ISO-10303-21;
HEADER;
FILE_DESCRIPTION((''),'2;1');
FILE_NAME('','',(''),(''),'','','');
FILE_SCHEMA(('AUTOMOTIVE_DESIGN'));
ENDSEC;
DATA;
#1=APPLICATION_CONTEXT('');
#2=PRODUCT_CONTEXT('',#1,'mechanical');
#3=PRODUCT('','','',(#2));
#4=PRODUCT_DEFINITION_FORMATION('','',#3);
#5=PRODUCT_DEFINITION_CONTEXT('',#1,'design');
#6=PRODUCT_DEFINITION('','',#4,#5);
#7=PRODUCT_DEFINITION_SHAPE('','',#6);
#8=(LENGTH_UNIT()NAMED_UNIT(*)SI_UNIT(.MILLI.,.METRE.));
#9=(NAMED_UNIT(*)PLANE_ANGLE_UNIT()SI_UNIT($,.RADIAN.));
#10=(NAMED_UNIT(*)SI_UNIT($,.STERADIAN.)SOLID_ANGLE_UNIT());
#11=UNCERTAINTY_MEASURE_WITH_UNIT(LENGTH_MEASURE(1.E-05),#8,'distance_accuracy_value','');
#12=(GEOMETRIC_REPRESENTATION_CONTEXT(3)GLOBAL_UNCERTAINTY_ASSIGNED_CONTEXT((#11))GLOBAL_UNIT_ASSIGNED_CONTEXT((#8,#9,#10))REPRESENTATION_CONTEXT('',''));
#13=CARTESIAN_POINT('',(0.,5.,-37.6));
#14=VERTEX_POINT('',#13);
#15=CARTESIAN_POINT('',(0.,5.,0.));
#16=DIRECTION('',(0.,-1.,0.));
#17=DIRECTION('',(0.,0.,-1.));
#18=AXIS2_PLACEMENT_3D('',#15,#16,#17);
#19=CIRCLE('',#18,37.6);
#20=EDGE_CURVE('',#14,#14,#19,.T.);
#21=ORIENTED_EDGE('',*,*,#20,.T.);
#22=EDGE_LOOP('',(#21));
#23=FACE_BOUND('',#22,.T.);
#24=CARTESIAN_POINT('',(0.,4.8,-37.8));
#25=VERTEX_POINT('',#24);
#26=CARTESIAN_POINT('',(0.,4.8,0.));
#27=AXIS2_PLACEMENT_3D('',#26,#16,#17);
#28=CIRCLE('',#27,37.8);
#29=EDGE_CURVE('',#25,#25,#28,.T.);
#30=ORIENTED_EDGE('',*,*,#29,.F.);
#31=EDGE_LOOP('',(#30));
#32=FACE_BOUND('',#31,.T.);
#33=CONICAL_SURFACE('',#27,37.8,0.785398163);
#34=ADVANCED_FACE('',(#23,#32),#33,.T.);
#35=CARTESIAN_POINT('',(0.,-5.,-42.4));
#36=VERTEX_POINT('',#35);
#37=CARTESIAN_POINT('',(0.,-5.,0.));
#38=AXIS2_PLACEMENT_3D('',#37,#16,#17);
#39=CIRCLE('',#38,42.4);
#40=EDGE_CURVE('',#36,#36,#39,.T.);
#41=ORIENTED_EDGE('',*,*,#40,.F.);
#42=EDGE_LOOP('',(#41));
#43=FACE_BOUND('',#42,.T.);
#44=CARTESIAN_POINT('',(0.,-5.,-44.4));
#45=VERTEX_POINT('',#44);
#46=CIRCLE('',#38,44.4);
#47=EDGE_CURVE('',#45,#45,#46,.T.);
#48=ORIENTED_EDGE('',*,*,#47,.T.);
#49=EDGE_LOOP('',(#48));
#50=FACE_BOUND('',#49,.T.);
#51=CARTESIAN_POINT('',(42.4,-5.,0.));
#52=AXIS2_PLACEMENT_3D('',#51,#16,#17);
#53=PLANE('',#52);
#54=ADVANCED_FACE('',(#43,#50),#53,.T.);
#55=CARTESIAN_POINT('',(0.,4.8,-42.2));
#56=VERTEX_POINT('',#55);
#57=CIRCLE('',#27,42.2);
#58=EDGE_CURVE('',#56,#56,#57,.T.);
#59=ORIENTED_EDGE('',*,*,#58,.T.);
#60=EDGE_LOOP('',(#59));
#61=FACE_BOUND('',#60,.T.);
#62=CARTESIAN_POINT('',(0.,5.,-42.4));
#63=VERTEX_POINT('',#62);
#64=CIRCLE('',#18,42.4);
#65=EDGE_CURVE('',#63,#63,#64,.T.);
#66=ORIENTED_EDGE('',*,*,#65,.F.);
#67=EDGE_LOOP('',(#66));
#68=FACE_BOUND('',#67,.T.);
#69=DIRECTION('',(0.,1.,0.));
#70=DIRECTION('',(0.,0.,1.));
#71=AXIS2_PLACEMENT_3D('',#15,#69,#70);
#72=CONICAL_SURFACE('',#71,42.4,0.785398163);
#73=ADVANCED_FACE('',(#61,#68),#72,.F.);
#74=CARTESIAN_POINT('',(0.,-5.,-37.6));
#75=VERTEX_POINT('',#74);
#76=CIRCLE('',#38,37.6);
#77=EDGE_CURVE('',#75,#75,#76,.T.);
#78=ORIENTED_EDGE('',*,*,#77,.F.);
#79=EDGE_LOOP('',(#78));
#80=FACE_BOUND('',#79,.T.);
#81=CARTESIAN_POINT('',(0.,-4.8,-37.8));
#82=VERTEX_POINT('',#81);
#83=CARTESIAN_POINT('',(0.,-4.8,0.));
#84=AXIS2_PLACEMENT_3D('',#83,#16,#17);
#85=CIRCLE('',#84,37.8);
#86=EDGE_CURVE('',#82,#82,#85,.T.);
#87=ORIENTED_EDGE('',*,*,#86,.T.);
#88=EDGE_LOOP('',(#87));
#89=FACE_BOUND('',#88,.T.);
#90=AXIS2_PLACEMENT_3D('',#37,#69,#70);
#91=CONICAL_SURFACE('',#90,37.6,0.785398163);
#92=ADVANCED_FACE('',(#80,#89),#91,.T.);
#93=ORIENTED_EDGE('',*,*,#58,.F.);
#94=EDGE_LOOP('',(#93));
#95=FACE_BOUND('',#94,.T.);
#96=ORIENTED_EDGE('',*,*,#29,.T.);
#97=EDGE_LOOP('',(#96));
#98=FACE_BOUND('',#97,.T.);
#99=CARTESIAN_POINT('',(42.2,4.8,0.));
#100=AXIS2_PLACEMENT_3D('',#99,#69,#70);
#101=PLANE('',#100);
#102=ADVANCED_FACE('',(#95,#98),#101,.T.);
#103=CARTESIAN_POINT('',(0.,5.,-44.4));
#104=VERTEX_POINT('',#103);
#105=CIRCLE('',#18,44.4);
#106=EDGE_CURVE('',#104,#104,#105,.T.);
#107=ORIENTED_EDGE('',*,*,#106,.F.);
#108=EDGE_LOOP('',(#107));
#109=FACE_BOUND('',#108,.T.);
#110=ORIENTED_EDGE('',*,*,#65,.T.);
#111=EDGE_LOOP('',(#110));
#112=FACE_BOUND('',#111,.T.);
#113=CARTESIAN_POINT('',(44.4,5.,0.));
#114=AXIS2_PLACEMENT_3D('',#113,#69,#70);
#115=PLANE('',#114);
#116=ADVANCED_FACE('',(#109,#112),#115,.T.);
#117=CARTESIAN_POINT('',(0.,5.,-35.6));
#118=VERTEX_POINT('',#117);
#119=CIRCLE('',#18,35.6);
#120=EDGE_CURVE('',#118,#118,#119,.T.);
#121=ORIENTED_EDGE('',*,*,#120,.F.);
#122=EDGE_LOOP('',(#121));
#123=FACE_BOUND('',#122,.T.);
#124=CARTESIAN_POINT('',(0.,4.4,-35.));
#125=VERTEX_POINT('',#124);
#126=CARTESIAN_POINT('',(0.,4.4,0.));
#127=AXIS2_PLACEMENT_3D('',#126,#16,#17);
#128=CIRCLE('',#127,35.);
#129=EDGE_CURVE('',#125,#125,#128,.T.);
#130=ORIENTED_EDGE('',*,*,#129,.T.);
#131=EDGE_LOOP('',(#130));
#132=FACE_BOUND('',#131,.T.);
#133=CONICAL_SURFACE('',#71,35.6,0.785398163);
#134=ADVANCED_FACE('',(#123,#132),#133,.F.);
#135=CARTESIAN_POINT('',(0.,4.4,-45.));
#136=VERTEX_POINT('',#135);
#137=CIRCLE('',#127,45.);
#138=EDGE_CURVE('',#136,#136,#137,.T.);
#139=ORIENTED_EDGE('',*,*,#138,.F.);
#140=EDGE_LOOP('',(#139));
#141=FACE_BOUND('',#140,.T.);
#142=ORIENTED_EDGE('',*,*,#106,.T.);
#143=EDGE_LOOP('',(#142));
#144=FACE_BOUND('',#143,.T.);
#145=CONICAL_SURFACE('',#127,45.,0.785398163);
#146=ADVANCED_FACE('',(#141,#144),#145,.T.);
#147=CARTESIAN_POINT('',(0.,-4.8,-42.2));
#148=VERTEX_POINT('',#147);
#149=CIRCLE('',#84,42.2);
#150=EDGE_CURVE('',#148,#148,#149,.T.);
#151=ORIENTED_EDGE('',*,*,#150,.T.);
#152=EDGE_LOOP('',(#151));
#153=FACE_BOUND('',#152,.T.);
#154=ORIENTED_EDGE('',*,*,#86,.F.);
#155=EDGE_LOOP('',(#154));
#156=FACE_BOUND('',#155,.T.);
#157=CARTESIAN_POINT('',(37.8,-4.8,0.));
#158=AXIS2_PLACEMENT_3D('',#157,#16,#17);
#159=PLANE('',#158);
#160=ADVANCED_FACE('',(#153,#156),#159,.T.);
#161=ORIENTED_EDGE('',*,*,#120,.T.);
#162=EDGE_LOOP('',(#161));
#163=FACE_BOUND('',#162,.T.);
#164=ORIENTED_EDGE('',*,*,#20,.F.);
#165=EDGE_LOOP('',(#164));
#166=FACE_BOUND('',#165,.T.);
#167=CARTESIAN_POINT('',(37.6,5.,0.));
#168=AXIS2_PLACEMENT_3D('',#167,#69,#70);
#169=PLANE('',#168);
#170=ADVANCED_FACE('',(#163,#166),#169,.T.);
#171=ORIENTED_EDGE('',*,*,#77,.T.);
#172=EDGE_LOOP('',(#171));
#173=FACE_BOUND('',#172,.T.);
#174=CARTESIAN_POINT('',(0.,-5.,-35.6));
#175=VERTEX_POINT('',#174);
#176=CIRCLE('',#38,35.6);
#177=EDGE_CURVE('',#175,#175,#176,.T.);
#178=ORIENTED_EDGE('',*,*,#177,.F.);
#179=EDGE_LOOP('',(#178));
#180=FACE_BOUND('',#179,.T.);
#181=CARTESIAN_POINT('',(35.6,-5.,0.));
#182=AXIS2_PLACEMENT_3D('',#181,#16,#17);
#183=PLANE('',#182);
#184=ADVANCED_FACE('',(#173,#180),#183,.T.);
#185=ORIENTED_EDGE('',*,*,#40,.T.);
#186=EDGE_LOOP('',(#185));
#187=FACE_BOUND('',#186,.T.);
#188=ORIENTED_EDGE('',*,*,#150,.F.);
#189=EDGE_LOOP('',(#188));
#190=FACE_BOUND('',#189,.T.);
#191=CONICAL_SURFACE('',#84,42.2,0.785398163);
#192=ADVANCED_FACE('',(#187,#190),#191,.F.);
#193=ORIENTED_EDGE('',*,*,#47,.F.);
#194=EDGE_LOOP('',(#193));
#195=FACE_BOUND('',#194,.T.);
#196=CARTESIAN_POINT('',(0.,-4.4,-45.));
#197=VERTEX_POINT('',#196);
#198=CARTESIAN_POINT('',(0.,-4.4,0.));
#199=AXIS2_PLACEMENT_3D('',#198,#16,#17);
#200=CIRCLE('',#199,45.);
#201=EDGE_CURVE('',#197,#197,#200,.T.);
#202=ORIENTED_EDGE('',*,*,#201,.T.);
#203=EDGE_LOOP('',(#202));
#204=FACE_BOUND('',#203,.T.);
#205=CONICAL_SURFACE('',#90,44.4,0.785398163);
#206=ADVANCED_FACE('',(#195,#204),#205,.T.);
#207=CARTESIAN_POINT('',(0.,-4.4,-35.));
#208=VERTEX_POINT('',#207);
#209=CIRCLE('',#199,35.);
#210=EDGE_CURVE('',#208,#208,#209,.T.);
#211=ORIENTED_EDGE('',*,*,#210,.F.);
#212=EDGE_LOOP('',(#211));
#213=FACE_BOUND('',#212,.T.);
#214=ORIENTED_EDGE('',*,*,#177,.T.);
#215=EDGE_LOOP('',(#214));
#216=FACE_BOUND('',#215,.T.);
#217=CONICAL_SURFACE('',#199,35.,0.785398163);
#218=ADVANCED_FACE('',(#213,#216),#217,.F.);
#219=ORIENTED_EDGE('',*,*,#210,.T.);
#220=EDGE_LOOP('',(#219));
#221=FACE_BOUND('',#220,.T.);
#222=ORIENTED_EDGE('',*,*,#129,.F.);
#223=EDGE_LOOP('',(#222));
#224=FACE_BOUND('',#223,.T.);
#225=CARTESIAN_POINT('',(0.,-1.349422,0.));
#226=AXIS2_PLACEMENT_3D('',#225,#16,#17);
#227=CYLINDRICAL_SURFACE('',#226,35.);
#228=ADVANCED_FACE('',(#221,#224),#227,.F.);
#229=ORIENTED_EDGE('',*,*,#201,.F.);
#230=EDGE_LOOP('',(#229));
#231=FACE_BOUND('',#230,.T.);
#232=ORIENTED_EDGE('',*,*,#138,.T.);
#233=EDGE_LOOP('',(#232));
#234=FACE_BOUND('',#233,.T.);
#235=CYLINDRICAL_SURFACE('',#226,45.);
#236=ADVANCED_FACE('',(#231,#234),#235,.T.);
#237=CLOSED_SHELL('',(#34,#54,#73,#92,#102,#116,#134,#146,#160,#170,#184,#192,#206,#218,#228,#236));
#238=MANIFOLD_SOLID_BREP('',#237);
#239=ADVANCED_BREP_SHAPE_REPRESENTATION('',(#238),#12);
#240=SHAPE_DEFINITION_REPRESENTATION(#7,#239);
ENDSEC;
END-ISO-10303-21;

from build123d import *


with BuildPart() as part:
    # Sketch1 → Revolve1 (revolve)
    with BuildSketch(Plane.XY):
        Polygon((35, 4.4), (35, -4.4), (35.6, -5), (37.6, -5), (37.8, -4.8), (42.2, -4.8), (42.4, -5), (44.4, -5), (45, -4.4), (45, 4.4), (44.4, 5), (42.4, 5), (42.2, 4.8), (37.8, 4.8), (37.6, 5), (35.6, 5), align=None)
    revolve(axis=Axis((0, -1.349421972, 0), (0, 1, 0)))


solid = part.part
